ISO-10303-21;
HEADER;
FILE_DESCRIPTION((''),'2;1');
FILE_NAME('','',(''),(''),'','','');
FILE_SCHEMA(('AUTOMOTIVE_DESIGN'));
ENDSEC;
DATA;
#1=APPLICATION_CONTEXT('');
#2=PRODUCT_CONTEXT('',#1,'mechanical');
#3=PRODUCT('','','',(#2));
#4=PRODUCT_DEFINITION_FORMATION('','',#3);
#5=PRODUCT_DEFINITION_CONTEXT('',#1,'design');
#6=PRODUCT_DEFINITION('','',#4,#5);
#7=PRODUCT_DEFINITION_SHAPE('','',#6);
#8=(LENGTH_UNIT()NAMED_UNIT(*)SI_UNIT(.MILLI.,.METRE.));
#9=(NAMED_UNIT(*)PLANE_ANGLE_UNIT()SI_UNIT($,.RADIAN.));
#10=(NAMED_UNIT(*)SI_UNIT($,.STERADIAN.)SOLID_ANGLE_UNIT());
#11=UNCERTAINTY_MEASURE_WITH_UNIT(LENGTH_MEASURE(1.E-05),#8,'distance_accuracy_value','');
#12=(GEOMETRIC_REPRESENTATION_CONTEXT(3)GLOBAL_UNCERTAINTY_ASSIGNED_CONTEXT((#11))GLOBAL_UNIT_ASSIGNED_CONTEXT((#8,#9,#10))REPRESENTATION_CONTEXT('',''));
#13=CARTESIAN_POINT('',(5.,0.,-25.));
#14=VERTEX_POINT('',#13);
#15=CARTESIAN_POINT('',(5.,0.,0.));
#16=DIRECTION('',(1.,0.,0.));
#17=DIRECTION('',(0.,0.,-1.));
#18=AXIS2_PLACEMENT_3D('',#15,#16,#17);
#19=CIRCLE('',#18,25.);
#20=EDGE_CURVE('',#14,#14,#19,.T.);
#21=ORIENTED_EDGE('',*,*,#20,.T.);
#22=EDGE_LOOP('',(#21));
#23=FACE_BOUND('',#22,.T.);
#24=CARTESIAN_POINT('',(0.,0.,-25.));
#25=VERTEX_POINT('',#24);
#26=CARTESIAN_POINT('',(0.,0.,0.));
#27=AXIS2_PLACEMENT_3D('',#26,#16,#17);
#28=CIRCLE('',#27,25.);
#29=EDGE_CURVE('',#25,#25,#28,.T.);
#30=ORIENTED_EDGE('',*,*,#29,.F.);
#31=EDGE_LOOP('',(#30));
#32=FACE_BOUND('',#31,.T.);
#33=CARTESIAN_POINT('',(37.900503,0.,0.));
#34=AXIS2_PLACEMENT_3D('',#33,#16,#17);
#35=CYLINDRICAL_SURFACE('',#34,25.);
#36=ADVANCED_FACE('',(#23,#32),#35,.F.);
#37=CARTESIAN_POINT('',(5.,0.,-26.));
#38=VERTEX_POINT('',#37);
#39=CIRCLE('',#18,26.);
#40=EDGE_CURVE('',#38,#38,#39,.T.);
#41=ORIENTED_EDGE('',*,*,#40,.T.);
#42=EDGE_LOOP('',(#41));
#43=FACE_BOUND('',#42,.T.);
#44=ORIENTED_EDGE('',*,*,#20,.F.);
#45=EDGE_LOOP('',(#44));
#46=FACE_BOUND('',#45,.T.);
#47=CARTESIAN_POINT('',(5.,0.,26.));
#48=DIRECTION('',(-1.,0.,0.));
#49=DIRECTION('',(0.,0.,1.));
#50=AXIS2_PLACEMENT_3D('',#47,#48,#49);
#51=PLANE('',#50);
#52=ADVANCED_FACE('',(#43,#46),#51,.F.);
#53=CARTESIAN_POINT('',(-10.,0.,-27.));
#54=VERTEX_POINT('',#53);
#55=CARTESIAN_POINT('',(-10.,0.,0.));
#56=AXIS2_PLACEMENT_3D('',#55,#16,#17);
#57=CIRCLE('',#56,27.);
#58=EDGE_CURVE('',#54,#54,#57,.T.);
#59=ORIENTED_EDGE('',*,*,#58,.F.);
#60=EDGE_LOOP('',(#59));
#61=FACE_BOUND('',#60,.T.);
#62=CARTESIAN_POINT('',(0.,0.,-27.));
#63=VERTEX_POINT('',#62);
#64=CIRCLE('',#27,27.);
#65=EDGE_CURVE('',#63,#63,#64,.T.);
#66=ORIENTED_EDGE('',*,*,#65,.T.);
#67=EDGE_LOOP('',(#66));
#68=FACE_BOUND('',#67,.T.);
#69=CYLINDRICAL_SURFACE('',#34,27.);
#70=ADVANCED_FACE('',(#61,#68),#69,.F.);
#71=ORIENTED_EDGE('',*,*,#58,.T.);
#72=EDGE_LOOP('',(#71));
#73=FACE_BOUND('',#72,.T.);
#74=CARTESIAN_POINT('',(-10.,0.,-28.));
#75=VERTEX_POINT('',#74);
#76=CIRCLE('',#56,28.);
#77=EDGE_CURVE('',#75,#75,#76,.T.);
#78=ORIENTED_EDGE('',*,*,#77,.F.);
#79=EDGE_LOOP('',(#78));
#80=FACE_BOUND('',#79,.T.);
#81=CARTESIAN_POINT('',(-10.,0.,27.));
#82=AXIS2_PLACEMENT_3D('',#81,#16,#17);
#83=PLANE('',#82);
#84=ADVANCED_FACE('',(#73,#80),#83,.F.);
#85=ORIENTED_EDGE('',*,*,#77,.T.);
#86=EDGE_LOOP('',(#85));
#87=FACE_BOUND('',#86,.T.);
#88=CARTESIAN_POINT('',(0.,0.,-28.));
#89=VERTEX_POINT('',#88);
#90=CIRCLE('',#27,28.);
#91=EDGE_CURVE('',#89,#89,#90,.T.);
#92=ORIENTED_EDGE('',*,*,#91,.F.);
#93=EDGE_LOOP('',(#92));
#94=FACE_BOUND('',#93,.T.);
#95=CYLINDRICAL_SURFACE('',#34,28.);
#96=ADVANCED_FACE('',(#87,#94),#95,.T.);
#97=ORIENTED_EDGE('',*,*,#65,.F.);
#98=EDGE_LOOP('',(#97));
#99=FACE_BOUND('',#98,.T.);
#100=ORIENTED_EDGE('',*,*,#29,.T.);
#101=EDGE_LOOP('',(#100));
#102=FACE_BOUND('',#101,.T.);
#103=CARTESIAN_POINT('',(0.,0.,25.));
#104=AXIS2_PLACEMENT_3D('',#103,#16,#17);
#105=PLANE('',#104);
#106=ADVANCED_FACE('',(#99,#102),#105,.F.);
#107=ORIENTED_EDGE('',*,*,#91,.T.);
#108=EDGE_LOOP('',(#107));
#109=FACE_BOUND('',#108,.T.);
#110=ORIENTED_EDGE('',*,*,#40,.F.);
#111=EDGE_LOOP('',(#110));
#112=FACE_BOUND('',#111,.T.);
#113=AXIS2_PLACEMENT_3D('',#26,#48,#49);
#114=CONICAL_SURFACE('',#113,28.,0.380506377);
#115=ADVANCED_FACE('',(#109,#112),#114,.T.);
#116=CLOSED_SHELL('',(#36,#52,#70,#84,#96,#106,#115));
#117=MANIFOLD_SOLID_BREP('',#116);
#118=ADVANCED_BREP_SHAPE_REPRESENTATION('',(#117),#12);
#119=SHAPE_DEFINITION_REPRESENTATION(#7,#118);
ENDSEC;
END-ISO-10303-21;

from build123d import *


with BuildPart() as part:
    # Esquisse2 → Base-Révolution (revolve)
    with BuildSketch(Plane(origin=(0, 0, 0), x_dir=(1, 0, 0), z_dir=(0, 1, 0)), mode=Mode.PRIVATE) as base_r_volution_sk:
        Polygon((0, -25), (0, -27), (-10, -27), (-10, -28), (0, -28), (5, -26), (5, -25), align=None)
    revolve(base_r_volution_sk.sketch.rotate(Axis((37.900503033, 0, 0), (-1, 0, 0)), 180), axis=Axis((37.900503033, 0, 0), (-1, 0, 0)))


solid = part.part
